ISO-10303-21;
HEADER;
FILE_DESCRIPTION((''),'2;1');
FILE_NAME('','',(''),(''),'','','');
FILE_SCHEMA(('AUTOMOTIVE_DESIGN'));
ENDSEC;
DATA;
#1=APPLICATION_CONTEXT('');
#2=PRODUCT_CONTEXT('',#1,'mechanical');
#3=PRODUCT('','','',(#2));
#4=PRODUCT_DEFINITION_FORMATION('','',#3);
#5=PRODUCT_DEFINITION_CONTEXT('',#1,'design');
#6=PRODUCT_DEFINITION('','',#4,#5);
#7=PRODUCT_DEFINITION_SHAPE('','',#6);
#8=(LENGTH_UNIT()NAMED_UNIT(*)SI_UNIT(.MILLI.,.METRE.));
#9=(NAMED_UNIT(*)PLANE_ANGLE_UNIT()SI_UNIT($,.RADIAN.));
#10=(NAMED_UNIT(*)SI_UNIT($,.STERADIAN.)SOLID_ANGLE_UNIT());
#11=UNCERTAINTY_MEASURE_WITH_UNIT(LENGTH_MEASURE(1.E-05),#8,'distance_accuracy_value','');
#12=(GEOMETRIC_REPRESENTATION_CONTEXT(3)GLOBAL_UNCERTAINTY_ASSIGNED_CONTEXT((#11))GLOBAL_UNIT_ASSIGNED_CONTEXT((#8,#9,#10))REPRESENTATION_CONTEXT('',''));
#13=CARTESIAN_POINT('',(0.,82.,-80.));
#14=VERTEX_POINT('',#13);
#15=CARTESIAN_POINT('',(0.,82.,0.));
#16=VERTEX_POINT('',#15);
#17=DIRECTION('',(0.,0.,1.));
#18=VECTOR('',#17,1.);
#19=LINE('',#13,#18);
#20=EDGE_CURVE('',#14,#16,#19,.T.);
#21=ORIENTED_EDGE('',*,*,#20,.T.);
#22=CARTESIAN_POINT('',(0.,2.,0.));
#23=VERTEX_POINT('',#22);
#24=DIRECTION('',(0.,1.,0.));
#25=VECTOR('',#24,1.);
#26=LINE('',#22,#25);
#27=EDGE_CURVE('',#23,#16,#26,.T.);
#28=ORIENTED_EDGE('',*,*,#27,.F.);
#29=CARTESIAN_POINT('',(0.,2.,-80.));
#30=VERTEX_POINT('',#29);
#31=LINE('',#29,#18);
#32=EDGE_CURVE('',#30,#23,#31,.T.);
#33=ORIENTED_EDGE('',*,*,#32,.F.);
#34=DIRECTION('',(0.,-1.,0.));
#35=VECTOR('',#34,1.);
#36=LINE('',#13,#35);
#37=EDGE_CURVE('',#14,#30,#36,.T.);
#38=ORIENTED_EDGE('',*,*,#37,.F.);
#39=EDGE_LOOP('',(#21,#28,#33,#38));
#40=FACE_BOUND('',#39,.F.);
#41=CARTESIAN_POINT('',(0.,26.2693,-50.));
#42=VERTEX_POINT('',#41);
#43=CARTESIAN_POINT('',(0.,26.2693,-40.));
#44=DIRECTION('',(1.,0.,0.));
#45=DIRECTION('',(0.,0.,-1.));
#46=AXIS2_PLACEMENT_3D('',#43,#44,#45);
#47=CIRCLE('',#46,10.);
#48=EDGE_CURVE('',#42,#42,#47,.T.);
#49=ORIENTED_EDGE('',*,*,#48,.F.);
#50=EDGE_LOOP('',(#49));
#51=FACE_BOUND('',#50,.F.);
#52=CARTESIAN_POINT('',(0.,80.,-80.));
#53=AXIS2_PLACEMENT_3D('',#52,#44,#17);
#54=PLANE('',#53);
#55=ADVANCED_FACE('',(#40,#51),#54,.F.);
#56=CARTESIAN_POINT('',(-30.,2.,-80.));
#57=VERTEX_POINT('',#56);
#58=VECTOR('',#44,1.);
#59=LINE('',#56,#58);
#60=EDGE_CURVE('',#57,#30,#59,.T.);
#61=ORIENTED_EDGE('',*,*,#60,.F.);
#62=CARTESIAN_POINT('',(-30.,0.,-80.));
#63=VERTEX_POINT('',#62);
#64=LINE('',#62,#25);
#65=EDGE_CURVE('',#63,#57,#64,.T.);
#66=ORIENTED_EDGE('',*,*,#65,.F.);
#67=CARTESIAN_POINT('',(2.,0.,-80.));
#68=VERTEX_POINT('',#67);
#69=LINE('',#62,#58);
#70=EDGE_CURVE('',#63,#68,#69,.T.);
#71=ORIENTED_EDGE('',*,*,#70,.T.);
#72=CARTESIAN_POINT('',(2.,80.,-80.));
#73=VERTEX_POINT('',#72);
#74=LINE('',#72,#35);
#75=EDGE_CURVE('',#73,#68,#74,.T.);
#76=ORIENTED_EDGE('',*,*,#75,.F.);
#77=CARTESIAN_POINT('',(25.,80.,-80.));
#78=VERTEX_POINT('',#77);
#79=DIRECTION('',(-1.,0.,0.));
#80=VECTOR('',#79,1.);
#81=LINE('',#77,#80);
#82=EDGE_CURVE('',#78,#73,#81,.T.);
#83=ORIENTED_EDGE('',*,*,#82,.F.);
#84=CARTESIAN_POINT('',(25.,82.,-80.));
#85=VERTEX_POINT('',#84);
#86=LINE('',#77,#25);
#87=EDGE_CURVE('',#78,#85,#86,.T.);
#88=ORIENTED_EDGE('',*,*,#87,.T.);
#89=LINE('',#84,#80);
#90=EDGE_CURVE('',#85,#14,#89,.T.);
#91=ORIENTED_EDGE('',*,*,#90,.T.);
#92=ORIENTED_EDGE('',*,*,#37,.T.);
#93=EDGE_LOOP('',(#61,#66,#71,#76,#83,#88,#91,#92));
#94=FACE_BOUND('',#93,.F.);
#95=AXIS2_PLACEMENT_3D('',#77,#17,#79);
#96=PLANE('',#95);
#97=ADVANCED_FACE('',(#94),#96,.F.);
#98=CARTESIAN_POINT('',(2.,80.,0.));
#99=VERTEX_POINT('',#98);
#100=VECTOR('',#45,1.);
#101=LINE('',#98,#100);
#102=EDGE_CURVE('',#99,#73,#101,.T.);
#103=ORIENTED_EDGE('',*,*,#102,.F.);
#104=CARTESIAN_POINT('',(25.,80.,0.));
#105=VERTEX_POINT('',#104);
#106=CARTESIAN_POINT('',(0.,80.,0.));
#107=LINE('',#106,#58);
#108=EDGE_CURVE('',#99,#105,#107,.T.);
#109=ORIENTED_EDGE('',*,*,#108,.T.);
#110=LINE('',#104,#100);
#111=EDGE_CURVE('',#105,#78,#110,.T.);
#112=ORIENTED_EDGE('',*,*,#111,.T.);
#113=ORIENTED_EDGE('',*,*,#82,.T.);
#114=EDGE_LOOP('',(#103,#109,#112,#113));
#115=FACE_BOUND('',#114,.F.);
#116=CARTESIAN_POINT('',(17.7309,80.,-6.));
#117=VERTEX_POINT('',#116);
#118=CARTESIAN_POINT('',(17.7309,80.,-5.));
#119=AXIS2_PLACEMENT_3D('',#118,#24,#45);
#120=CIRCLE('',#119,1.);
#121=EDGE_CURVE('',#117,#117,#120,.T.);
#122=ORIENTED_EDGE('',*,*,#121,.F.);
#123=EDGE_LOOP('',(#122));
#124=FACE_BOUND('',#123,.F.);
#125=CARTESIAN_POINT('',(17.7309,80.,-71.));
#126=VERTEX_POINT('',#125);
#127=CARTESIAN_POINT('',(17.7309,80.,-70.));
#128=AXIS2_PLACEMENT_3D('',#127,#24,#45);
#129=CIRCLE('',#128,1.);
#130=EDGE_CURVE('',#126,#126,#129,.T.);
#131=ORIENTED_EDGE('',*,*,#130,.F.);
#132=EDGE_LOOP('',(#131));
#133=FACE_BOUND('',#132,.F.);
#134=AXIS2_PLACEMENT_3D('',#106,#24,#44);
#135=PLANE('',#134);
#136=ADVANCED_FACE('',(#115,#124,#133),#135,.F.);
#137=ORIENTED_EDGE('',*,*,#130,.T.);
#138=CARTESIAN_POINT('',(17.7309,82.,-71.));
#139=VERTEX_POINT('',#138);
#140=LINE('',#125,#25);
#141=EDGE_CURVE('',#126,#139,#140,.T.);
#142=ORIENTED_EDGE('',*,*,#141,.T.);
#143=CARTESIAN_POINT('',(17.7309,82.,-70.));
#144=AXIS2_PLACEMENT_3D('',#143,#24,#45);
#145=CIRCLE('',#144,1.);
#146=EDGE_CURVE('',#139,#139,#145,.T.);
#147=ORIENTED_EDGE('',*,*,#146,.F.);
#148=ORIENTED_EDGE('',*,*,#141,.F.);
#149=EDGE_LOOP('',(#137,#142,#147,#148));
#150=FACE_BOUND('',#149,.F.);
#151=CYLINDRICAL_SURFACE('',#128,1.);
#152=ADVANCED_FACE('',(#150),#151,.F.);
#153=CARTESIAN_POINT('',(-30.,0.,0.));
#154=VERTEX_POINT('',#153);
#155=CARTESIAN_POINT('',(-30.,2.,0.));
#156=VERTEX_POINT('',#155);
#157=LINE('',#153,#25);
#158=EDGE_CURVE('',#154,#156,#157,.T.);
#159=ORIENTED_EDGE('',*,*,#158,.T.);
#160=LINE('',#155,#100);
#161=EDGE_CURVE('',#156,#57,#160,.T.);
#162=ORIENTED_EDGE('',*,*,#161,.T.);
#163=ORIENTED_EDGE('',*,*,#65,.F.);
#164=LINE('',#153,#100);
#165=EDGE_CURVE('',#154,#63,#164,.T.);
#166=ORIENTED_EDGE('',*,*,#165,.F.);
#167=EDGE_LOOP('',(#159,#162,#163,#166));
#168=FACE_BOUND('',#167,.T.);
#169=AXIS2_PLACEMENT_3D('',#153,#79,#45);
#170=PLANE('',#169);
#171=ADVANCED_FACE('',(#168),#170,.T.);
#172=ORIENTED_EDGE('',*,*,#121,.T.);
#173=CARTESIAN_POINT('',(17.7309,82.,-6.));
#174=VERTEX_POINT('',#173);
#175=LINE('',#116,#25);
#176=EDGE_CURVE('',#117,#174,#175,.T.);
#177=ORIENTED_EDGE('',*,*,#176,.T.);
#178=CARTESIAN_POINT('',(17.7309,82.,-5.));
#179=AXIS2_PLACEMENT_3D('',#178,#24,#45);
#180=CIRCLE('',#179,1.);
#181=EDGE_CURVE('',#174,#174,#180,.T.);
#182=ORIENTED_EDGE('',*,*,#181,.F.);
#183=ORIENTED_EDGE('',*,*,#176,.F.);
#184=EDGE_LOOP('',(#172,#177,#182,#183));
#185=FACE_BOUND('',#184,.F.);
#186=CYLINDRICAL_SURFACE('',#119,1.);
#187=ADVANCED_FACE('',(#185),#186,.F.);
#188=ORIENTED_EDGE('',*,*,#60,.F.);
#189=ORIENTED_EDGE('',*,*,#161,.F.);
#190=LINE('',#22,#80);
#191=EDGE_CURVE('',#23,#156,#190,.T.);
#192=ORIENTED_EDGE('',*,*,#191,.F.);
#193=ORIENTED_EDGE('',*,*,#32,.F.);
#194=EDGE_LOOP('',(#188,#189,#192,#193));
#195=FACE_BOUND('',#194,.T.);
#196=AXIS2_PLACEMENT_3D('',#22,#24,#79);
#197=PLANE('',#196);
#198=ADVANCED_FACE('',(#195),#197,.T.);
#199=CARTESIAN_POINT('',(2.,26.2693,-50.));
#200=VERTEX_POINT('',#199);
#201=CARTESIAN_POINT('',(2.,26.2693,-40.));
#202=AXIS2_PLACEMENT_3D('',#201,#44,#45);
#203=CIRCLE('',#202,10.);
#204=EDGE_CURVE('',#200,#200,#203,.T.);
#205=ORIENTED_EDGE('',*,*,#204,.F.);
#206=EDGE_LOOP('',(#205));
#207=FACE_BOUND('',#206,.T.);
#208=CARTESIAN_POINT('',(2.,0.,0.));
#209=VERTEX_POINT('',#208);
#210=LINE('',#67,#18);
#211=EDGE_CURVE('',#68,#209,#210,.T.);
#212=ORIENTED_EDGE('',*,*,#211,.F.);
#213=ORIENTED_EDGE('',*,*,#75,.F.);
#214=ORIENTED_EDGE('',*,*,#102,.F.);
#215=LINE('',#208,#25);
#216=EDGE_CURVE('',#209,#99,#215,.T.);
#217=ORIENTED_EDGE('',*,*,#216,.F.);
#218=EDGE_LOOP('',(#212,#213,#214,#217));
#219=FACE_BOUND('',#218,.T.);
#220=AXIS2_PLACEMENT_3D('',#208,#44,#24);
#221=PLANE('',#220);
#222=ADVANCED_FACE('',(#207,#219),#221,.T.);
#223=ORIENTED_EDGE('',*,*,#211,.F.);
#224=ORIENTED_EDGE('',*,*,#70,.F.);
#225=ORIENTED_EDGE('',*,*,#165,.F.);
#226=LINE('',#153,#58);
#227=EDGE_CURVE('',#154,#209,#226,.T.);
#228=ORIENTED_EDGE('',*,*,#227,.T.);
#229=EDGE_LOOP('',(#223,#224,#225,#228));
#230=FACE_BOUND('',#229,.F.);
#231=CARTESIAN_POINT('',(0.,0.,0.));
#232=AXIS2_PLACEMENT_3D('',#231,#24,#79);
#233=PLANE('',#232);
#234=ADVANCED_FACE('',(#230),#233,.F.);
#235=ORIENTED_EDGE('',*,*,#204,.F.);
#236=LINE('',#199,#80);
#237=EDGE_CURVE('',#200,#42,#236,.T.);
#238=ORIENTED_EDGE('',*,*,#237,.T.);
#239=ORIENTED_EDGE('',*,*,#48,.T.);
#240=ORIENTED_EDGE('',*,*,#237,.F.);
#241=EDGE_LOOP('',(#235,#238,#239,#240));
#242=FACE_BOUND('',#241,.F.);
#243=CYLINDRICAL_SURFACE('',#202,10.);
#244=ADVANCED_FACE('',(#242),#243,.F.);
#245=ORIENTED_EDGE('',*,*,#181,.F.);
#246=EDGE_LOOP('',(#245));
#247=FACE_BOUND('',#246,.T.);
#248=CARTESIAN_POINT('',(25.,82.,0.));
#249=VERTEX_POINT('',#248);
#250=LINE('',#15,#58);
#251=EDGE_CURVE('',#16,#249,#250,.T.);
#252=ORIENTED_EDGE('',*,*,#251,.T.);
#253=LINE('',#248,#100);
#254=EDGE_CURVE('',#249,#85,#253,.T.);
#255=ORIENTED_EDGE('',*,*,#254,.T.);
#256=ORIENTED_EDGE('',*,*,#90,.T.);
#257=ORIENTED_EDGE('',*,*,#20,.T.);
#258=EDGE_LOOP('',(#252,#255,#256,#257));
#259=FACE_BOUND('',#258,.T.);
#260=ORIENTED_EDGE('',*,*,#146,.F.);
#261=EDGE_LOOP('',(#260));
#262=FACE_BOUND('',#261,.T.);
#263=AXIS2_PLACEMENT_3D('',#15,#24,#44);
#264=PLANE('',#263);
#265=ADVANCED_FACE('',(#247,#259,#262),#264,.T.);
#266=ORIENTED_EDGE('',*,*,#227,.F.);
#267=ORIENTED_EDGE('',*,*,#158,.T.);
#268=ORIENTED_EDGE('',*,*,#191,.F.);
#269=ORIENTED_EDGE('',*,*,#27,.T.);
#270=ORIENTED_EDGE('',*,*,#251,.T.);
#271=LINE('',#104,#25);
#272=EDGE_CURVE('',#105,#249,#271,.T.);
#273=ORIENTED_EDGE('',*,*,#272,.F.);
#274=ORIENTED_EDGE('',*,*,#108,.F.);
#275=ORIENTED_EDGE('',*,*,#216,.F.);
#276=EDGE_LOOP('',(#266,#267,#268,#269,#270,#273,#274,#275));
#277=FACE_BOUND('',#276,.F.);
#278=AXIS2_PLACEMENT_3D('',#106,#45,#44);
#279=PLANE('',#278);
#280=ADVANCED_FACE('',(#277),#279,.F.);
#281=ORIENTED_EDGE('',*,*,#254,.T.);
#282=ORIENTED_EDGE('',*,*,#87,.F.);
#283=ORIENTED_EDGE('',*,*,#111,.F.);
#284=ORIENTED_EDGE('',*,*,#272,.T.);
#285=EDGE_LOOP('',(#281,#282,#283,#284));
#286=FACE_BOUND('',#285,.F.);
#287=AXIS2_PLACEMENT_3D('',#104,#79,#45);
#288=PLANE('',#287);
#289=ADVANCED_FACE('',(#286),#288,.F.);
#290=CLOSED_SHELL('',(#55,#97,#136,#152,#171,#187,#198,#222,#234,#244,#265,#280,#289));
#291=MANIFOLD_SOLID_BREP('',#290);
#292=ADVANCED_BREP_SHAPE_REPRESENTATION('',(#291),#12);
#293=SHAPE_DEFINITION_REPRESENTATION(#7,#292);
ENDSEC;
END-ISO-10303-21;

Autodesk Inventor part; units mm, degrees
ref_plane "YZ Plane" through (0, 0, 0) normal (1, 0, 0) x (0, 1, 0)
ref_plane "XZ Plane" through (0, 0, 0) normal (0, 1, 0) x (-1, 0, 0)
ref_plane "XY Plane" through (0, 0, 0) normal (0, 0, 1) x (1, 0, 0)
sketch "Sketch1" plane through (0, 0, 0) normal (0, 1, 0) x (-1, 0, 0)
  line L0 (0, 0) -> (30, 0)
  line L1 (30, 0) -> (30, -80)
  line L2 (30, -80) -> (0, -80)
  line L3 (0, -80) -> (0, 0)
  dimension "d0" = 30
  dimension "d1" = 80
extrude "Extrusion1" add sketch "Sketch1" along normal blind 2
sketch "Sketch2" plane through (0, 0, 0) normal (0, 0, 1) x (1, 0, 0)
  point P0 (0, 0)
sketch "Sketch3" plane through (0, 0, 0) normal (1, 0, 0) x (0, 1, 0)
  line L0 (0, 0) -> (80, 0)
  line L1 (80, 0) -> (80, -80)
  line L2 (80, -80) -> (0, -80)
  line L3 (0, -80) -> (0, 0)
  dimension "d4" = 80
  dimension "d11" = 80
extrude "Extrusion2" add sketch "Sketch3" along normal blind 2
sketch "Sketch4" plane through (0, 0, 0) normal (0, 1, 0) x (-1, 0, 0)
  point P0 (0, 0)
sketch "Sketch5" plane through (0, 0, 0) normal (-1, 0, 0) x (0, 0, 1)
  point P0 (0, 0)
sketch "Sketch6" plane through (0, 80, 0) normal (0, 1, 0) x (1, 0, 0)
  line L0 (-30, 0) -> (0, 0) projected
  line L1 (0, 0) -> (25, 0)
  line L2 (25, 0) -> (25, 80)
  line L3 (25, 80) -> (0, 80)
  line L4 (0, 80) -> (0, 0)
  dimension "d7" = 25
  dimension "d8" = 80
extrude "Extrusion3" add sketch "Sketch6" along normal blind 2
sketch "Sketch7" plane through (0, 2, 0) normal (0, 1, 0) x (1, 0, 0)
  point P0 (0, 0)
  point P1 (-20.3201, 56.529)
  point P2 (-18.421, 5.5073)
sketch "Sketch8" plane through (0, 0, 0) normal (0, -1, 0) x (1, 0, 0)
  point P0 (0, 0)
sketch "Sketch9" plane through (0, 80, 0) normal (0, -1, 0) x (1, 0, 0)
  line L0 (2, -80) -> (2, 0) projected
  line L1 (2, 0) -> (25, 0) projected
  line L2 (25, -80) -> (2, -80) projected
  point P0 (0, 0)
  point P1 (2, -65)
  point P2 (2, 0)
  point P3 (17.7309, -70)
  point P4 (2, 0)
  point P5 (17.7309, 0)
  point P6 (17.7309, -70)
  point P7 (17.7309, -5)
  dimension "d12" = 10
hole "Hole1" at (17.7309, 80, -70) at (17.7309, 80, -5) direction (0, 1, 0) diameter 2 depth 25 tip angle 118
sketch "Sketch10" plane through (2, 0, 0) normal (1, 0, 0) x (0, 0, -1)
  circle A0 centre (40, 26.2693) radius 10
  line L0 (80, 0) -> (80, 80) projected
  point P0 (0, 0)
  dimension "d20" = 20
  dimension "d21" = 40
extrude "Extrusion4" cut sketch "Sketch10" against normal blind 2
sketch "Sketch11" plane through (2, 0, 0) normal (1, 0, 0) x (0, 0, -1)
  point P0 (0, 0)
sketch "Sketch12" plane through (0, 0, 0) normal (-1, 0, 0) x (0, 0, 1)
  point P0 (0, 0)
properties part number "dc clamp" material "Lead"
